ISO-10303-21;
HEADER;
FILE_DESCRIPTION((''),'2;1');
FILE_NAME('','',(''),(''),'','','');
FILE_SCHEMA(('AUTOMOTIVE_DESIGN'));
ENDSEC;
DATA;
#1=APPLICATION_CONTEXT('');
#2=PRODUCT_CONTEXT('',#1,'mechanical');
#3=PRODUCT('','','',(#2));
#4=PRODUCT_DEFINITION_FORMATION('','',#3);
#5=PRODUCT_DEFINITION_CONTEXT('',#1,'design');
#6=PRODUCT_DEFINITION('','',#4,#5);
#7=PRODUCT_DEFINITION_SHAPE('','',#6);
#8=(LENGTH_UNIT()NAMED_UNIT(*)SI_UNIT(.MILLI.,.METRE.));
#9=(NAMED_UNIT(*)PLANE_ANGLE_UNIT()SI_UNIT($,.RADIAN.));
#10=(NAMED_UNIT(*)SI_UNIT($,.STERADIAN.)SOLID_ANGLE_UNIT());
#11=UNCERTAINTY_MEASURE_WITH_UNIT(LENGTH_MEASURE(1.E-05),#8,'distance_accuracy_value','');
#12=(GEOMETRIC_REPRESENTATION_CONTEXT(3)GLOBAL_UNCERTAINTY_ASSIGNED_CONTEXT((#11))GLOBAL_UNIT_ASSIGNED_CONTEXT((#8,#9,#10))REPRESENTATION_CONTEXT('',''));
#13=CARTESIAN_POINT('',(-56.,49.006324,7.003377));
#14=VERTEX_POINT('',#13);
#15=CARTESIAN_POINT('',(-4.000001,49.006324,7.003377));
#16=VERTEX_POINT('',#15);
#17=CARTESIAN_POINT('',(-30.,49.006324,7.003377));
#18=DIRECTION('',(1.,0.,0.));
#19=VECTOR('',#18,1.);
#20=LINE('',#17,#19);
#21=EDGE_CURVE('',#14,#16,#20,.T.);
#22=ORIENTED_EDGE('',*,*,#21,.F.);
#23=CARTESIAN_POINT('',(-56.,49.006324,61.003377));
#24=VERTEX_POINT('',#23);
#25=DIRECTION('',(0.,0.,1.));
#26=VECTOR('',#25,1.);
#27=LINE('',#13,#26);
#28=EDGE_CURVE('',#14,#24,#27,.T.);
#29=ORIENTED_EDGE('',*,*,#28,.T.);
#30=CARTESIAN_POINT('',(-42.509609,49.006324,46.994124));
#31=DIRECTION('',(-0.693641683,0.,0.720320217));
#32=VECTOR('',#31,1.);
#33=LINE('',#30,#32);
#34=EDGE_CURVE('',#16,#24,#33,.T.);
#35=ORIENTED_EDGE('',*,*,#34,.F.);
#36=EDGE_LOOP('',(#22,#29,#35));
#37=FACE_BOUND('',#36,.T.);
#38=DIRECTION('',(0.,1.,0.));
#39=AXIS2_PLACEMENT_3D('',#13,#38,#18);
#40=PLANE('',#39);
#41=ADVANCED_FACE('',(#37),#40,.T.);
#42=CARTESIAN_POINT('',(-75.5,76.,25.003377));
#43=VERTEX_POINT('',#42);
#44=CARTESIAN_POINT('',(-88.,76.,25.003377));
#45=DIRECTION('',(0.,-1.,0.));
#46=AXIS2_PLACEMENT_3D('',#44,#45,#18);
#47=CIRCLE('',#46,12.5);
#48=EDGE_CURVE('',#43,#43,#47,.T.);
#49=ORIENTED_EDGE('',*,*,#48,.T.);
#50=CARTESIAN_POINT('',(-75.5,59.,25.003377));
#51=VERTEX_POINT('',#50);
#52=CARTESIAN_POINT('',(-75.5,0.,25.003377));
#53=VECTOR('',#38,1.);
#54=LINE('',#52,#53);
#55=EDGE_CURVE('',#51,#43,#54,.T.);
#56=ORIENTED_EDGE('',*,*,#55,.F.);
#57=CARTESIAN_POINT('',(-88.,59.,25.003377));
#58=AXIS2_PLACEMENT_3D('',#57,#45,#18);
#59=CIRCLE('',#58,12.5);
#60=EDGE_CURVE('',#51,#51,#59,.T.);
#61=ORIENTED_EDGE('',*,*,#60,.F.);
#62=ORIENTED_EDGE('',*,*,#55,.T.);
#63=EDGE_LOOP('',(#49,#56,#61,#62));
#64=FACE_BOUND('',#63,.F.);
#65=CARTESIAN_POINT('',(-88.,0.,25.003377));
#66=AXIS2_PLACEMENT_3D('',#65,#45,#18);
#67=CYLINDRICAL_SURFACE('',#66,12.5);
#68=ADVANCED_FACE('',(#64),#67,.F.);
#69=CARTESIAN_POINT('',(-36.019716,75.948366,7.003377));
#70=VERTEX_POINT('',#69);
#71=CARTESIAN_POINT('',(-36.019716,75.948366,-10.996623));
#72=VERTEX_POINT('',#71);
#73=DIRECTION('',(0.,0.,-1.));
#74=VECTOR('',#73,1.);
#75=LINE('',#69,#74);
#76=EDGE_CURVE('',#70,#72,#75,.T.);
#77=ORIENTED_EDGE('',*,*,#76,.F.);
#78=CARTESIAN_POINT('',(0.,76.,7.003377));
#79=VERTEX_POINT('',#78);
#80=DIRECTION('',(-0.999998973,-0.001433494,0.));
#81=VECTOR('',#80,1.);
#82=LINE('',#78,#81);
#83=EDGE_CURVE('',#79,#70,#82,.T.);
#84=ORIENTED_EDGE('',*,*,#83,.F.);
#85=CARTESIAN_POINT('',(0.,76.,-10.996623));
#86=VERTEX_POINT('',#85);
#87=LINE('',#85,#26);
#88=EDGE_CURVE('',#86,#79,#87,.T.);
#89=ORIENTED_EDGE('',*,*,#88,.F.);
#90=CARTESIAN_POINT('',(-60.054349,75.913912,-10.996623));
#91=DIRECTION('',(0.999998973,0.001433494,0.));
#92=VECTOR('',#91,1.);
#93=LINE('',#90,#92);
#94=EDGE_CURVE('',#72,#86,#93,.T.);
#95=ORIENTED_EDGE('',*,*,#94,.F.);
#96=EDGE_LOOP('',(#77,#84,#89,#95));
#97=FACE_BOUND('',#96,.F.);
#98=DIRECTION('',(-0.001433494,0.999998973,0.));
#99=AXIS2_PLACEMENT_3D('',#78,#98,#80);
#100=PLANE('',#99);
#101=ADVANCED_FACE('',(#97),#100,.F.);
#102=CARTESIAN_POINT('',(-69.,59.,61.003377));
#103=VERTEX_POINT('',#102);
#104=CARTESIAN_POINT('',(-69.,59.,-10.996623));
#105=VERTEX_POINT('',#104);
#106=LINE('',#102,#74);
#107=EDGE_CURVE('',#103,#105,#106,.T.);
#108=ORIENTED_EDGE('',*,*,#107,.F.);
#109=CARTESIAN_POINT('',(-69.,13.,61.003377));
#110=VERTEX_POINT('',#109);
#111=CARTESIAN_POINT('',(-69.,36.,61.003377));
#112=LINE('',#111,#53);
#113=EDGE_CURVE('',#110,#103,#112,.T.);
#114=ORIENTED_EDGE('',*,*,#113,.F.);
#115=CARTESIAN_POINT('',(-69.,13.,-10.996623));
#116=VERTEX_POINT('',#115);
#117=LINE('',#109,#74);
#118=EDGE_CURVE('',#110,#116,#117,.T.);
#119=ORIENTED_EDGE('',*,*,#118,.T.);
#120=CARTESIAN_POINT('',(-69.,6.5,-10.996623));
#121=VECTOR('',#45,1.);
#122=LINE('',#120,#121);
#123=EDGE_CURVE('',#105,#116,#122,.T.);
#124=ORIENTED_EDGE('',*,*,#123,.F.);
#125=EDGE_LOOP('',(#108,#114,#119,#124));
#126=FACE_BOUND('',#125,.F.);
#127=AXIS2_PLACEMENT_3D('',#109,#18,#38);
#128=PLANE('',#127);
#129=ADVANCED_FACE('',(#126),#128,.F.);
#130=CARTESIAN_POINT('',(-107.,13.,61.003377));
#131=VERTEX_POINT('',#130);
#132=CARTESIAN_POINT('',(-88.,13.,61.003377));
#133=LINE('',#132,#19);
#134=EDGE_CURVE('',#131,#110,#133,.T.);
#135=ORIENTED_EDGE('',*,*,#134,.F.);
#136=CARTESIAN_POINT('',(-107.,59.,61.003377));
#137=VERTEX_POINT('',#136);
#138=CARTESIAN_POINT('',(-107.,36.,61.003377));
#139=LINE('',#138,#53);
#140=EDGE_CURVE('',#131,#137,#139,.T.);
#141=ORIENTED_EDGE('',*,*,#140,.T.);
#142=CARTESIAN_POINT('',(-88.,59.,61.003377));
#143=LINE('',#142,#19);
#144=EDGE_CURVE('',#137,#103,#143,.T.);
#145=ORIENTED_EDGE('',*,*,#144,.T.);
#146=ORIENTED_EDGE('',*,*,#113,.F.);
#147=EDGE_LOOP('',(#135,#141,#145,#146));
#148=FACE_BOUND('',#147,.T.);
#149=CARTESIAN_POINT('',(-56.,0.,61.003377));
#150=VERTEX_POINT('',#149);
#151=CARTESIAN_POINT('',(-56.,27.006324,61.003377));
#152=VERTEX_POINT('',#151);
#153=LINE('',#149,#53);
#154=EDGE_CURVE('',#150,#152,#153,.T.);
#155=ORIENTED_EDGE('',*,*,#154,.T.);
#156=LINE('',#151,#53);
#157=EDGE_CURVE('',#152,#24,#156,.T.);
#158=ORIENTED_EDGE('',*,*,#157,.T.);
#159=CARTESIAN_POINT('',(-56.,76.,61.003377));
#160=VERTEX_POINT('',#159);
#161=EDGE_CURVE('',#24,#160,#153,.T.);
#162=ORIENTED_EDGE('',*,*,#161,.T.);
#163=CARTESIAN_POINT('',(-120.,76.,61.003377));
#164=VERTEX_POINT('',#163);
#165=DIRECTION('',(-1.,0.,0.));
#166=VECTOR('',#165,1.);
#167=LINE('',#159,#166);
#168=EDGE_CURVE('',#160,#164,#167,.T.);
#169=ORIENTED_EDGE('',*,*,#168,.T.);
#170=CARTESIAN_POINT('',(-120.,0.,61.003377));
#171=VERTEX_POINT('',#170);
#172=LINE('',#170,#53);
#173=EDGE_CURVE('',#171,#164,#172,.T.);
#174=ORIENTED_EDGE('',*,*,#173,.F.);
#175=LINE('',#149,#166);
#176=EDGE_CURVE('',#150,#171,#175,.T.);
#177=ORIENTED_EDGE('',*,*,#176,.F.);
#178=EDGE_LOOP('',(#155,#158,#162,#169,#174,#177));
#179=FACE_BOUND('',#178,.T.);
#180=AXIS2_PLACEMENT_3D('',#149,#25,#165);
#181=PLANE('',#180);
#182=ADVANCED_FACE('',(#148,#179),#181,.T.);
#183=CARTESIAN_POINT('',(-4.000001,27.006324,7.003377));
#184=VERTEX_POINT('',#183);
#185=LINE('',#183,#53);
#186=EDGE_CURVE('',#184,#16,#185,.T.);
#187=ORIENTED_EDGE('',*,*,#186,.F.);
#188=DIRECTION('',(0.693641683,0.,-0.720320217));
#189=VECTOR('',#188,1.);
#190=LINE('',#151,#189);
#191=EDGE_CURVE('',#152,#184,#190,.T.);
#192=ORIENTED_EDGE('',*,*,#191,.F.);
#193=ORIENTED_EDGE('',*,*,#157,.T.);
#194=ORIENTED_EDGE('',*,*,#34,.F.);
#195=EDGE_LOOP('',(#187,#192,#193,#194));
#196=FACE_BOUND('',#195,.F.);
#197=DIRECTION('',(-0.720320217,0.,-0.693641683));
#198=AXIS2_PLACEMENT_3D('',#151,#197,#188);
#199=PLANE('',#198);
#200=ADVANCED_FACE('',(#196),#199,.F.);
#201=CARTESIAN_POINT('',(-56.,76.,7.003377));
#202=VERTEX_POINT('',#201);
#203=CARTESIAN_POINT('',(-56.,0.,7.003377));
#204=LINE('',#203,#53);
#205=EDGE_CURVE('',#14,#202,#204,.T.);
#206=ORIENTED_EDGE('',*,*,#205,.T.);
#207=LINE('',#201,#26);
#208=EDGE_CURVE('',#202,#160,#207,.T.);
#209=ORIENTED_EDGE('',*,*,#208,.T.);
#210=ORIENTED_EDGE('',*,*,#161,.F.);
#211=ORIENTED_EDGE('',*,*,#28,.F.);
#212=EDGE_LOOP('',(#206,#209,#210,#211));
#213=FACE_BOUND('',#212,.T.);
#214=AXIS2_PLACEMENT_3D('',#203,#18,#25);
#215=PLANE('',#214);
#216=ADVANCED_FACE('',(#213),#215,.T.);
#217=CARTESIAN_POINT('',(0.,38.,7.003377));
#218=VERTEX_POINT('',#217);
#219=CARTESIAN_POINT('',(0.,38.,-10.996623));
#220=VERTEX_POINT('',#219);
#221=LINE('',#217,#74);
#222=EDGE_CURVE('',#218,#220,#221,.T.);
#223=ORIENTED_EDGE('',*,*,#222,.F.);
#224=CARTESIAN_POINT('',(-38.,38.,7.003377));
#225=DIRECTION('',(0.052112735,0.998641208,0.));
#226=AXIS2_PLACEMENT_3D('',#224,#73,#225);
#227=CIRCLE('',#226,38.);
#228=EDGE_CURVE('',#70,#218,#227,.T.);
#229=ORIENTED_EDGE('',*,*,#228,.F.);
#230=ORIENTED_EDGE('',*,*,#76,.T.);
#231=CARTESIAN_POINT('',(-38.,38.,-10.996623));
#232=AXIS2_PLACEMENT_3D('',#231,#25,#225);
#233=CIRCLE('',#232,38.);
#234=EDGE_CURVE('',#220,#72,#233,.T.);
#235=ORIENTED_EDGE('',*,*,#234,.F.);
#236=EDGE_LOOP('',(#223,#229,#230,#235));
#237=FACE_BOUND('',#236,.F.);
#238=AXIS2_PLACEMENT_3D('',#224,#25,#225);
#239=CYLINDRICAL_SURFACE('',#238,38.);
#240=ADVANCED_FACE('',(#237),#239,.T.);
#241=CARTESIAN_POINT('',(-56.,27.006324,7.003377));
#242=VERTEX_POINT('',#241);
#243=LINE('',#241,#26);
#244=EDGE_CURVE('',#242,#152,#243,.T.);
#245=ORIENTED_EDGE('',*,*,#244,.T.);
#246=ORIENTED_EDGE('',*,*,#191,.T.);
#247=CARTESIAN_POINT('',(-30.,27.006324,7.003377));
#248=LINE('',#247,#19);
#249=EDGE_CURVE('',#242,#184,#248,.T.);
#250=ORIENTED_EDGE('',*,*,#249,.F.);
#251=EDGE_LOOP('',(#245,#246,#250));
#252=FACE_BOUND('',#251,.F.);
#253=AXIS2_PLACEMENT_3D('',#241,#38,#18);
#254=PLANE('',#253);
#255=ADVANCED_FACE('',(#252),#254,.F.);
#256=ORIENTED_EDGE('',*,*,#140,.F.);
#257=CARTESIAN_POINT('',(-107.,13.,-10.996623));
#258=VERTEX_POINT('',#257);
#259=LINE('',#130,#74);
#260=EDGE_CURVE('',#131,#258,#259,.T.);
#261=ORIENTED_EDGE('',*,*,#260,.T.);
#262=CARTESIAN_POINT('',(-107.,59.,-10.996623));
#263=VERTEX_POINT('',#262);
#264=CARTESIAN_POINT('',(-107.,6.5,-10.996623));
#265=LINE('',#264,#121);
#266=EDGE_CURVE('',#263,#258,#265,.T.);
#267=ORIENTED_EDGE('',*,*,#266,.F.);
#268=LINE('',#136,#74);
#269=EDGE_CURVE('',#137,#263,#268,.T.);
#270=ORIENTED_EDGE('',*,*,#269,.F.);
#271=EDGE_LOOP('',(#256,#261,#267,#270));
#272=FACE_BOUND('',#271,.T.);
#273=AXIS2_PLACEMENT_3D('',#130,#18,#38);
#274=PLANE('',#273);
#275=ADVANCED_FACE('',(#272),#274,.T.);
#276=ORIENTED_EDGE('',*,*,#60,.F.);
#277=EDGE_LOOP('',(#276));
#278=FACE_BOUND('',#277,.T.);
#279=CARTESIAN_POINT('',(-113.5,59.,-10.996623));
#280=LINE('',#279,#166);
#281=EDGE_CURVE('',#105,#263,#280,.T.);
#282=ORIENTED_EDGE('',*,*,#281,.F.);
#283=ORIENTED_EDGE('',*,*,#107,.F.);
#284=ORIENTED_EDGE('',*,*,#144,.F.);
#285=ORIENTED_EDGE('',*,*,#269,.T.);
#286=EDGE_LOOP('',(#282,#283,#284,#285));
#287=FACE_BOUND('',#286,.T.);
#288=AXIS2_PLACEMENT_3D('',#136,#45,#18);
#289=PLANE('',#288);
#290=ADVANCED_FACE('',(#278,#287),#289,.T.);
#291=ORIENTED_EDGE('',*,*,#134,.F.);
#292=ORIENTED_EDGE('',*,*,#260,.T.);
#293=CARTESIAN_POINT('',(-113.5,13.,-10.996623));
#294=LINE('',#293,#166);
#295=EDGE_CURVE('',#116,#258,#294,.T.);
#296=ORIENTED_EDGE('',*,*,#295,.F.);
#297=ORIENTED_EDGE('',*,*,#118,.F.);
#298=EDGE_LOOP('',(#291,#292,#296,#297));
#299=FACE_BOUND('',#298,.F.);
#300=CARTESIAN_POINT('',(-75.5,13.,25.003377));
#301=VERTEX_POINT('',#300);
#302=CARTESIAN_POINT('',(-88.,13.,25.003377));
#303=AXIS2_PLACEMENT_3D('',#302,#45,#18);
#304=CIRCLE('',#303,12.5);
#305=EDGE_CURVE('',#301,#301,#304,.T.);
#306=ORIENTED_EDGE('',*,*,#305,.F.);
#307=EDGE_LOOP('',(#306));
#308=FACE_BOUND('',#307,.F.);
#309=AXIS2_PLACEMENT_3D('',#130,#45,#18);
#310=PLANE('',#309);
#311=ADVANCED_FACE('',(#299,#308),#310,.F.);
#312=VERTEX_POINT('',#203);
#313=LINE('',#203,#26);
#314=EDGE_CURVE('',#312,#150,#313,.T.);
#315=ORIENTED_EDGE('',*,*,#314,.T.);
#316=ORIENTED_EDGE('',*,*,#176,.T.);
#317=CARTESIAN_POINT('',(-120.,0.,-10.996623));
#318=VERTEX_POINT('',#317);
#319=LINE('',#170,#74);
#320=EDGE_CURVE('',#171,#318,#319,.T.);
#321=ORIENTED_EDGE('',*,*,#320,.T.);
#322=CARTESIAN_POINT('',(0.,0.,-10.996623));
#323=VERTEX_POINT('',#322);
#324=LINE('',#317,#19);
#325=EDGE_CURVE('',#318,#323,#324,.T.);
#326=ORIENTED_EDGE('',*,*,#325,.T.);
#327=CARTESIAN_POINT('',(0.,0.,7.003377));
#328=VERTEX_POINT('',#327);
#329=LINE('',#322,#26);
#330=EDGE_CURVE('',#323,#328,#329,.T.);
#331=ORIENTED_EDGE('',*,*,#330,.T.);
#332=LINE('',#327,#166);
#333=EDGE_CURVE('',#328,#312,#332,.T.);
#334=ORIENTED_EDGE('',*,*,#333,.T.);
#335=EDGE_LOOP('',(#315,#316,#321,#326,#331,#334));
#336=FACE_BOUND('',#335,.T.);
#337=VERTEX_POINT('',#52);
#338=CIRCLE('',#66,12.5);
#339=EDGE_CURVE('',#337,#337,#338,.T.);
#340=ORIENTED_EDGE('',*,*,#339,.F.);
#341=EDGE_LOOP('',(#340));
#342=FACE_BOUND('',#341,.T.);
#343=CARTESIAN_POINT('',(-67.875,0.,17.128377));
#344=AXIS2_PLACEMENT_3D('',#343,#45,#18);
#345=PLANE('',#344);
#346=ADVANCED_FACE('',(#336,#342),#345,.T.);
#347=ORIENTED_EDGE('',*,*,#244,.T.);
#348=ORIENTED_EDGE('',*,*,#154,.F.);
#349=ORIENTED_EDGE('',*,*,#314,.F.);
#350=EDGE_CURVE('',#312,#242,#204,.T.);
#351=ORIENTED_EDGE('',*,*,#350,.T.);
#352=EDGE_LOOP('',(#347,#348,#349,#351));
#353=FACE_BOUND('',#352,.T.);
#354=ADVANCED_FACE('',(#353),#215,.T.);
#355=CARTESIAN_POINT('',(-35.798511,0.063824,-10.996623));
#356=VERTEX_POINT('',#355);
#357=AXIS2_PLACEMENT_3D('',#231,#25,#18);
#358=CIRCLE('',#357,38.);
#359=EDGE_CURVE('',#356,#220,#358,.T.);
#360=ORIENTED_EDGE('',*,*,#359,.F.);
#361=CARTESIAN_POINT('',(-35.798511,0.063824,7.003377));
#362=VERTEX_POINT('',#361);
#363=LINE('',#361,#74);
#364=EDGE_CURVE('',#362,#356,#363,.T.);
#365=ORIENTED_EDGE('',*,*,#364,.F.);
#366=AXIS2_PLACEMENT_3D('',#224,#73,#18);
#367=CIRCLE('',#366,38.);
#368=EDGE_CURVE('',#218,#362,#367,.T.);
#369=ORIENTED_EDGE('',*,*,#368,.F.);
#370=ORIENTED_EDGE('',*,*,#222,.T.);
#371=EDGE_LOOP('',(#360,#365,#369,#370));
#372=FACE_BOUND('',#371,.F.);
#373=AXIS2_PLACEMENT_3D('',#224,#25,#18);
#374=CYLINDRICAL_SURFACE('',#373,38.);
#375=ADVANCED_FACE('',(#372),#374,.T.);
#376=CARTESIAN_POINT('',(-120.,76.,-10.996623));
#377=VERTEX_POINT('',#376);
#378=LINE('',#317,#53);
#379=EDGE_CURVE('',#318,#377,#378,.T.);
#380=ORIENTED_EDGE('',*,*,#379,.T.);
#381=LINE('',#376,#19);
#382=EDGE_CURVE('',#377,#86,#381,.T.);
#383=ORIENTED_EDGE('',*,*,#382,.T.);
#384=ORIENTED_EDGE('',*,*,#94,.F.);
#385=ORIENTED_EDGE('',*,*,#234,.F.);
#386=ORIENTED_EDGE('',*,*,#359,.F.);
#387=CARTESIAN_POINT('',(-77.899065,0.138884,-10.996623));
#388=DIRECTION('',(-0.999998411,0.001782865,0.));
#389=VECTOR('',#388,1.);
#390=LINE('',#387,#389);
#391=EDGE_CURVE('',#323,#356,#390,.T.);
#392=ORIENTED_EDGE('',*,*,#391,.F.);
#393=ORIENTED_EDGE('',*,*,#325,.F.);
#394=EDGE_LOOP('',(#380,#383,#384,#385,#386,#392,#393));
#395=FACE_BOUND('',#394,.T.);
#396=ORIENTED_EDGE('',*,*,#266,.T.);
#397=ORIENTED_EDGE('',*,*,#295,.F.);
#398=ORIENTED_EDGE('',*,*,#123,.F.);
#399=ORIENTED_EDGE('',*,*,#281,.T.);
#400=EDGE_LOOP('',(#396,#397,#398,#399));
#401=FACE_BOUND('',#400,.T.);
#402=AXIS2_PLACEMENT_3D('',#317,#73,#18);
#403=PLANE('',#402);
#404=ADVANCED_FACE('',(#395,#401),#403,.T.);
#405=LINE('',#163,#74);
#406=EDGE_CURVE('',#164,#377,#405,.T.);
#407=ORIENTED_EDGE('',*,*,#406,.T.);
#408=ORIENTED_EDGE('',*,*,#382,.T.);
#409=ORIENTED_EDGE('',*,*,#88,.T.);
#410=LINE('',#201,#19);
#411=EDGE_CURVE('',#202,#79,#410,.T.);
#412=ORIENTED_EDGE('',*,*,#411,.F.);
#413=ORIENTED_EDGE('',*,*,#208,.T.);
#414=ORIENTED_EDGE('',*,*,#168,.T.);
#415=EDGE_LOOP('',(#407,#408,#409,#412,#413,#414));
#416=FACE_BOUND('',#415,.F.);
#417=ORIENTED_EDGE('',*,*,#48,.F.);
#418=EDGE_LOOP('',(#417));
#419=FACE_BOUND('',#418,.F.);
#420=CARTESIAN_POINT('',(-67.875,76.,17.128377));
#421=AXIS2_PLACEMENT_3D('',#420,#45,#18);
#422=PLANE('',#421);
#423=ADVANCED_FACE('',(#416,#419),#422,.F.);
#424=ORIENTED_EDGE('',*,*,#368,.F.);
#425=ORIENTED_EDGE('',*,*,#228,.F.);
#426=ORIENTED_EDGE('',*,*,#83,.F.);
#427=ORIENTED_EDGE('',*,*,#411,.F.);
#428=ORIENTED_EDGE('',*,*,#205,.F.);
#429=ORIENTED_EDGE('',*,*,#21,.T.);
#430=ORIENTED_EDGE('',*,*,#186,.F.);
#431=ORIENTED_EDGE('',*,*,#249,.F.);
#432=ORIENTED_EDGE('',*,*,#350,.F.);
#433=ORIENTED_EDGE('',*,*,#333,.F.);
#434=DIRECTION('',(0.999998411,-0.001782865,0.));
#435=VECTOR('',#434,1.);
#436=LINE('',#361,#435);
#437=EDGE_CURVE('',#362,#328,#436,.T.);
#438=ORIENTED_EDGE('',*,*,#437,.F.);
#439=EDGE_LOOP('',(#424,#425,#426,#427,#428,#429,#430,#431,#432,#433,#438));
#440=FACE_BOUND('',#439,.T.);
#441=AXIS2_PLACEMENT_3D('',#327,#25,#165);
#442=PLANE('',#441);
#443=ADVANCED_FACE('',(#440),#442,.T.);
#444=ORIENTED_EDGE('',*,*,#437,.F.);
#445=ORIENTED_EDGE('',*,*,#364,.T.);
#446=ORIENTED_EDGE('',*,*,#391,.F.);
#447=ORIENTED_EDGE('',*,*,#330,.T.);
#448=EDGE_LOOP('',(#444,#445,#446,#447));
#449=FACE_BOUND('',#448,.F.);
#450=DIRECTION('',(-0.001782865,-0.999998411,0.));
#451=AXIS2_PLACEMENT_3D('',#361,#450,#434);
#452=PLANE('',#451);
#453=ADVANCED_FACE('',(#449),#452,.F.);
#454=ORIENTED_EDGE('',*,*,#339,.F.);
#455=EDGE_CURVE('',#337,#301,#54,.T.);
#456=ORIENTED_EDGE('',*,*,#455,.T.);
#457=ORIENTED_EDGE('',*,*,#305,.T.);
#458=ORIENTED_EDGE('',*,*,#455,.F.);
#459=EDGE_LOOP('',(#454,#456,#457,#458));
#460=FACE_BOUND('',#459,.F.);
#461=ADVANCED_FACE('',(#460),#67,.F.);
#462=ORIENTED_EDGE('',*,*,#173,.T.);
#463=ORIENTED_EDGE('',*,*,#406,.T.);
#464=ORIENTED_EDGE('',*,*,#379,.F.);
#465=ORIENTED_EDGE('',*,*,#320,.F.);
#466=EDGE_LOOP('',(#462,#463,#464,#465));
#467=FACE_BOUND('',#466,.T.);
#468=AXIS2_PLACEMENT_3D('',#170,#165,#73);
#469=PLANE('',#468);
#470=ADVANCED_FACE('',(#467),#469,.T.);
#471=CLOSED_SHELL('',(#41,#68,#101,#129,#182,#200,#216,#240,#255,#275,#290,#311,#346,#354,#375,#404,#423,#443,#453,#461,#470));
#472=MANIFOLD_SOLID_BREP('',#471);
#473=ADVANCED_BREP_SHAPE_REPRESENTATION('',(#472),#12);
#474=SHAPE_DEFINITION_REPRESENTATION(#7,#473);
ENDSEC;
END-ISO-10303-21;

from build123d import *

# Parameters (mm, degrees)
F0_R      = 12.5
F1_DEPTH  = 76
F2_W      = 38
F2_H      = 46
F3_DEPTH  = 177
F5_DEPTH  = 67
F6_DEPTH  = 65
F7_W      = 51.9999994738
F7_H      = 11
F8_DEPTH  = 54
F10_DEPTH = 64


with BuildPart() as f1:
    # F0 (on Front) → F1 (new body)
    with BuildSketch(Plane.XZ):
        Polygon((-120, -10.9966229647), (0, -10.9966229647), (0, 7.0033770353), (-56, 7.0033770353), (-56, 61.0033770353), (-120, 61.0033770353), align=None)
        with Locations((-88, 25.0033770353)):
            Circle(F0_R, mode=Mode.SUBTRACT)
    extrude(amount=-F1_DEPTH)

    # F2 (on face) → F3 (cut)
    with BuildSketch(Plane.XY.offset(61.0033770353)):
        with Locations((-88, 36)):
            Rectangle(F2_W, F2_H)
    extrude(amount=-F3_DEPTH, mode=Mode.SUBTRACT)

    # F4 (on face) → F5 (cut)
    with BuildSketch(Plane.XY.offset(7.0033770353)):
        with BuildLine():
            ThreePointArc((-36.0197160629, 75.9483659138), (-10.4386975125, 64.1605543748), (0, 38))
            Line((0, 38), (0, 76))
            Line((0, 76), (-36.0197160629, 75.9483659138))
        make_face()
    extrude(amount=-F5_DEPTH, mode=Mode.SUBTRACT)

    # F4 (on face) → F6 (cut)
    with BuildSketch(Plane.XY.offset(7.0033770353)):
        with BuildLine():
            ThreePointArc((-36.0197160629, 75.9483659138), (-10.4386975125, 64.1605543748), (0, 38))
            Line((0, 38), (0, 76))
            Line((0, 76), (-36.0197160629, 75.9483659138))
        make_face()
        with BuildLine():
            ThreePointArc((0, 38), (-10.3625564741, 11.9198980955), (-35.7985113343, 0.0638240244))
            Line((-35.7985113343, 0.0638240244), (0, 0))
            Line((0, 0), (0, 38))
        make_face()
    extrude(amount=-F6_DEPTH, mode=Mode.SUBTRACT)

    # F7 (on face) → F8 (join)
    with BuildSketch(Plane.XY.offset(7.0033770353)):
        with Locations((-30.0000002631, 32.5063240244)):
            Rectangle(F7_W, F7_H)
        with Locations((-30.0000002631, 43.5063240244)):
            Rectangle(F7_W, F7_H)
    extrude(amount=F8_DEPTH)

    # F9 (on face) → F10 (cut)
    with BuildSketch(Plane.XZ.offset(-27.0063240244)):
        Polygon((-56, 61.0033770353), (-4.0000005262, 7.0033770353), (-4.0000005262, 61.0033770353), align=None)
    extrude(amount=-F10_DEPTH, mode=Mode.SUBTRACT)


solid = f1.part
